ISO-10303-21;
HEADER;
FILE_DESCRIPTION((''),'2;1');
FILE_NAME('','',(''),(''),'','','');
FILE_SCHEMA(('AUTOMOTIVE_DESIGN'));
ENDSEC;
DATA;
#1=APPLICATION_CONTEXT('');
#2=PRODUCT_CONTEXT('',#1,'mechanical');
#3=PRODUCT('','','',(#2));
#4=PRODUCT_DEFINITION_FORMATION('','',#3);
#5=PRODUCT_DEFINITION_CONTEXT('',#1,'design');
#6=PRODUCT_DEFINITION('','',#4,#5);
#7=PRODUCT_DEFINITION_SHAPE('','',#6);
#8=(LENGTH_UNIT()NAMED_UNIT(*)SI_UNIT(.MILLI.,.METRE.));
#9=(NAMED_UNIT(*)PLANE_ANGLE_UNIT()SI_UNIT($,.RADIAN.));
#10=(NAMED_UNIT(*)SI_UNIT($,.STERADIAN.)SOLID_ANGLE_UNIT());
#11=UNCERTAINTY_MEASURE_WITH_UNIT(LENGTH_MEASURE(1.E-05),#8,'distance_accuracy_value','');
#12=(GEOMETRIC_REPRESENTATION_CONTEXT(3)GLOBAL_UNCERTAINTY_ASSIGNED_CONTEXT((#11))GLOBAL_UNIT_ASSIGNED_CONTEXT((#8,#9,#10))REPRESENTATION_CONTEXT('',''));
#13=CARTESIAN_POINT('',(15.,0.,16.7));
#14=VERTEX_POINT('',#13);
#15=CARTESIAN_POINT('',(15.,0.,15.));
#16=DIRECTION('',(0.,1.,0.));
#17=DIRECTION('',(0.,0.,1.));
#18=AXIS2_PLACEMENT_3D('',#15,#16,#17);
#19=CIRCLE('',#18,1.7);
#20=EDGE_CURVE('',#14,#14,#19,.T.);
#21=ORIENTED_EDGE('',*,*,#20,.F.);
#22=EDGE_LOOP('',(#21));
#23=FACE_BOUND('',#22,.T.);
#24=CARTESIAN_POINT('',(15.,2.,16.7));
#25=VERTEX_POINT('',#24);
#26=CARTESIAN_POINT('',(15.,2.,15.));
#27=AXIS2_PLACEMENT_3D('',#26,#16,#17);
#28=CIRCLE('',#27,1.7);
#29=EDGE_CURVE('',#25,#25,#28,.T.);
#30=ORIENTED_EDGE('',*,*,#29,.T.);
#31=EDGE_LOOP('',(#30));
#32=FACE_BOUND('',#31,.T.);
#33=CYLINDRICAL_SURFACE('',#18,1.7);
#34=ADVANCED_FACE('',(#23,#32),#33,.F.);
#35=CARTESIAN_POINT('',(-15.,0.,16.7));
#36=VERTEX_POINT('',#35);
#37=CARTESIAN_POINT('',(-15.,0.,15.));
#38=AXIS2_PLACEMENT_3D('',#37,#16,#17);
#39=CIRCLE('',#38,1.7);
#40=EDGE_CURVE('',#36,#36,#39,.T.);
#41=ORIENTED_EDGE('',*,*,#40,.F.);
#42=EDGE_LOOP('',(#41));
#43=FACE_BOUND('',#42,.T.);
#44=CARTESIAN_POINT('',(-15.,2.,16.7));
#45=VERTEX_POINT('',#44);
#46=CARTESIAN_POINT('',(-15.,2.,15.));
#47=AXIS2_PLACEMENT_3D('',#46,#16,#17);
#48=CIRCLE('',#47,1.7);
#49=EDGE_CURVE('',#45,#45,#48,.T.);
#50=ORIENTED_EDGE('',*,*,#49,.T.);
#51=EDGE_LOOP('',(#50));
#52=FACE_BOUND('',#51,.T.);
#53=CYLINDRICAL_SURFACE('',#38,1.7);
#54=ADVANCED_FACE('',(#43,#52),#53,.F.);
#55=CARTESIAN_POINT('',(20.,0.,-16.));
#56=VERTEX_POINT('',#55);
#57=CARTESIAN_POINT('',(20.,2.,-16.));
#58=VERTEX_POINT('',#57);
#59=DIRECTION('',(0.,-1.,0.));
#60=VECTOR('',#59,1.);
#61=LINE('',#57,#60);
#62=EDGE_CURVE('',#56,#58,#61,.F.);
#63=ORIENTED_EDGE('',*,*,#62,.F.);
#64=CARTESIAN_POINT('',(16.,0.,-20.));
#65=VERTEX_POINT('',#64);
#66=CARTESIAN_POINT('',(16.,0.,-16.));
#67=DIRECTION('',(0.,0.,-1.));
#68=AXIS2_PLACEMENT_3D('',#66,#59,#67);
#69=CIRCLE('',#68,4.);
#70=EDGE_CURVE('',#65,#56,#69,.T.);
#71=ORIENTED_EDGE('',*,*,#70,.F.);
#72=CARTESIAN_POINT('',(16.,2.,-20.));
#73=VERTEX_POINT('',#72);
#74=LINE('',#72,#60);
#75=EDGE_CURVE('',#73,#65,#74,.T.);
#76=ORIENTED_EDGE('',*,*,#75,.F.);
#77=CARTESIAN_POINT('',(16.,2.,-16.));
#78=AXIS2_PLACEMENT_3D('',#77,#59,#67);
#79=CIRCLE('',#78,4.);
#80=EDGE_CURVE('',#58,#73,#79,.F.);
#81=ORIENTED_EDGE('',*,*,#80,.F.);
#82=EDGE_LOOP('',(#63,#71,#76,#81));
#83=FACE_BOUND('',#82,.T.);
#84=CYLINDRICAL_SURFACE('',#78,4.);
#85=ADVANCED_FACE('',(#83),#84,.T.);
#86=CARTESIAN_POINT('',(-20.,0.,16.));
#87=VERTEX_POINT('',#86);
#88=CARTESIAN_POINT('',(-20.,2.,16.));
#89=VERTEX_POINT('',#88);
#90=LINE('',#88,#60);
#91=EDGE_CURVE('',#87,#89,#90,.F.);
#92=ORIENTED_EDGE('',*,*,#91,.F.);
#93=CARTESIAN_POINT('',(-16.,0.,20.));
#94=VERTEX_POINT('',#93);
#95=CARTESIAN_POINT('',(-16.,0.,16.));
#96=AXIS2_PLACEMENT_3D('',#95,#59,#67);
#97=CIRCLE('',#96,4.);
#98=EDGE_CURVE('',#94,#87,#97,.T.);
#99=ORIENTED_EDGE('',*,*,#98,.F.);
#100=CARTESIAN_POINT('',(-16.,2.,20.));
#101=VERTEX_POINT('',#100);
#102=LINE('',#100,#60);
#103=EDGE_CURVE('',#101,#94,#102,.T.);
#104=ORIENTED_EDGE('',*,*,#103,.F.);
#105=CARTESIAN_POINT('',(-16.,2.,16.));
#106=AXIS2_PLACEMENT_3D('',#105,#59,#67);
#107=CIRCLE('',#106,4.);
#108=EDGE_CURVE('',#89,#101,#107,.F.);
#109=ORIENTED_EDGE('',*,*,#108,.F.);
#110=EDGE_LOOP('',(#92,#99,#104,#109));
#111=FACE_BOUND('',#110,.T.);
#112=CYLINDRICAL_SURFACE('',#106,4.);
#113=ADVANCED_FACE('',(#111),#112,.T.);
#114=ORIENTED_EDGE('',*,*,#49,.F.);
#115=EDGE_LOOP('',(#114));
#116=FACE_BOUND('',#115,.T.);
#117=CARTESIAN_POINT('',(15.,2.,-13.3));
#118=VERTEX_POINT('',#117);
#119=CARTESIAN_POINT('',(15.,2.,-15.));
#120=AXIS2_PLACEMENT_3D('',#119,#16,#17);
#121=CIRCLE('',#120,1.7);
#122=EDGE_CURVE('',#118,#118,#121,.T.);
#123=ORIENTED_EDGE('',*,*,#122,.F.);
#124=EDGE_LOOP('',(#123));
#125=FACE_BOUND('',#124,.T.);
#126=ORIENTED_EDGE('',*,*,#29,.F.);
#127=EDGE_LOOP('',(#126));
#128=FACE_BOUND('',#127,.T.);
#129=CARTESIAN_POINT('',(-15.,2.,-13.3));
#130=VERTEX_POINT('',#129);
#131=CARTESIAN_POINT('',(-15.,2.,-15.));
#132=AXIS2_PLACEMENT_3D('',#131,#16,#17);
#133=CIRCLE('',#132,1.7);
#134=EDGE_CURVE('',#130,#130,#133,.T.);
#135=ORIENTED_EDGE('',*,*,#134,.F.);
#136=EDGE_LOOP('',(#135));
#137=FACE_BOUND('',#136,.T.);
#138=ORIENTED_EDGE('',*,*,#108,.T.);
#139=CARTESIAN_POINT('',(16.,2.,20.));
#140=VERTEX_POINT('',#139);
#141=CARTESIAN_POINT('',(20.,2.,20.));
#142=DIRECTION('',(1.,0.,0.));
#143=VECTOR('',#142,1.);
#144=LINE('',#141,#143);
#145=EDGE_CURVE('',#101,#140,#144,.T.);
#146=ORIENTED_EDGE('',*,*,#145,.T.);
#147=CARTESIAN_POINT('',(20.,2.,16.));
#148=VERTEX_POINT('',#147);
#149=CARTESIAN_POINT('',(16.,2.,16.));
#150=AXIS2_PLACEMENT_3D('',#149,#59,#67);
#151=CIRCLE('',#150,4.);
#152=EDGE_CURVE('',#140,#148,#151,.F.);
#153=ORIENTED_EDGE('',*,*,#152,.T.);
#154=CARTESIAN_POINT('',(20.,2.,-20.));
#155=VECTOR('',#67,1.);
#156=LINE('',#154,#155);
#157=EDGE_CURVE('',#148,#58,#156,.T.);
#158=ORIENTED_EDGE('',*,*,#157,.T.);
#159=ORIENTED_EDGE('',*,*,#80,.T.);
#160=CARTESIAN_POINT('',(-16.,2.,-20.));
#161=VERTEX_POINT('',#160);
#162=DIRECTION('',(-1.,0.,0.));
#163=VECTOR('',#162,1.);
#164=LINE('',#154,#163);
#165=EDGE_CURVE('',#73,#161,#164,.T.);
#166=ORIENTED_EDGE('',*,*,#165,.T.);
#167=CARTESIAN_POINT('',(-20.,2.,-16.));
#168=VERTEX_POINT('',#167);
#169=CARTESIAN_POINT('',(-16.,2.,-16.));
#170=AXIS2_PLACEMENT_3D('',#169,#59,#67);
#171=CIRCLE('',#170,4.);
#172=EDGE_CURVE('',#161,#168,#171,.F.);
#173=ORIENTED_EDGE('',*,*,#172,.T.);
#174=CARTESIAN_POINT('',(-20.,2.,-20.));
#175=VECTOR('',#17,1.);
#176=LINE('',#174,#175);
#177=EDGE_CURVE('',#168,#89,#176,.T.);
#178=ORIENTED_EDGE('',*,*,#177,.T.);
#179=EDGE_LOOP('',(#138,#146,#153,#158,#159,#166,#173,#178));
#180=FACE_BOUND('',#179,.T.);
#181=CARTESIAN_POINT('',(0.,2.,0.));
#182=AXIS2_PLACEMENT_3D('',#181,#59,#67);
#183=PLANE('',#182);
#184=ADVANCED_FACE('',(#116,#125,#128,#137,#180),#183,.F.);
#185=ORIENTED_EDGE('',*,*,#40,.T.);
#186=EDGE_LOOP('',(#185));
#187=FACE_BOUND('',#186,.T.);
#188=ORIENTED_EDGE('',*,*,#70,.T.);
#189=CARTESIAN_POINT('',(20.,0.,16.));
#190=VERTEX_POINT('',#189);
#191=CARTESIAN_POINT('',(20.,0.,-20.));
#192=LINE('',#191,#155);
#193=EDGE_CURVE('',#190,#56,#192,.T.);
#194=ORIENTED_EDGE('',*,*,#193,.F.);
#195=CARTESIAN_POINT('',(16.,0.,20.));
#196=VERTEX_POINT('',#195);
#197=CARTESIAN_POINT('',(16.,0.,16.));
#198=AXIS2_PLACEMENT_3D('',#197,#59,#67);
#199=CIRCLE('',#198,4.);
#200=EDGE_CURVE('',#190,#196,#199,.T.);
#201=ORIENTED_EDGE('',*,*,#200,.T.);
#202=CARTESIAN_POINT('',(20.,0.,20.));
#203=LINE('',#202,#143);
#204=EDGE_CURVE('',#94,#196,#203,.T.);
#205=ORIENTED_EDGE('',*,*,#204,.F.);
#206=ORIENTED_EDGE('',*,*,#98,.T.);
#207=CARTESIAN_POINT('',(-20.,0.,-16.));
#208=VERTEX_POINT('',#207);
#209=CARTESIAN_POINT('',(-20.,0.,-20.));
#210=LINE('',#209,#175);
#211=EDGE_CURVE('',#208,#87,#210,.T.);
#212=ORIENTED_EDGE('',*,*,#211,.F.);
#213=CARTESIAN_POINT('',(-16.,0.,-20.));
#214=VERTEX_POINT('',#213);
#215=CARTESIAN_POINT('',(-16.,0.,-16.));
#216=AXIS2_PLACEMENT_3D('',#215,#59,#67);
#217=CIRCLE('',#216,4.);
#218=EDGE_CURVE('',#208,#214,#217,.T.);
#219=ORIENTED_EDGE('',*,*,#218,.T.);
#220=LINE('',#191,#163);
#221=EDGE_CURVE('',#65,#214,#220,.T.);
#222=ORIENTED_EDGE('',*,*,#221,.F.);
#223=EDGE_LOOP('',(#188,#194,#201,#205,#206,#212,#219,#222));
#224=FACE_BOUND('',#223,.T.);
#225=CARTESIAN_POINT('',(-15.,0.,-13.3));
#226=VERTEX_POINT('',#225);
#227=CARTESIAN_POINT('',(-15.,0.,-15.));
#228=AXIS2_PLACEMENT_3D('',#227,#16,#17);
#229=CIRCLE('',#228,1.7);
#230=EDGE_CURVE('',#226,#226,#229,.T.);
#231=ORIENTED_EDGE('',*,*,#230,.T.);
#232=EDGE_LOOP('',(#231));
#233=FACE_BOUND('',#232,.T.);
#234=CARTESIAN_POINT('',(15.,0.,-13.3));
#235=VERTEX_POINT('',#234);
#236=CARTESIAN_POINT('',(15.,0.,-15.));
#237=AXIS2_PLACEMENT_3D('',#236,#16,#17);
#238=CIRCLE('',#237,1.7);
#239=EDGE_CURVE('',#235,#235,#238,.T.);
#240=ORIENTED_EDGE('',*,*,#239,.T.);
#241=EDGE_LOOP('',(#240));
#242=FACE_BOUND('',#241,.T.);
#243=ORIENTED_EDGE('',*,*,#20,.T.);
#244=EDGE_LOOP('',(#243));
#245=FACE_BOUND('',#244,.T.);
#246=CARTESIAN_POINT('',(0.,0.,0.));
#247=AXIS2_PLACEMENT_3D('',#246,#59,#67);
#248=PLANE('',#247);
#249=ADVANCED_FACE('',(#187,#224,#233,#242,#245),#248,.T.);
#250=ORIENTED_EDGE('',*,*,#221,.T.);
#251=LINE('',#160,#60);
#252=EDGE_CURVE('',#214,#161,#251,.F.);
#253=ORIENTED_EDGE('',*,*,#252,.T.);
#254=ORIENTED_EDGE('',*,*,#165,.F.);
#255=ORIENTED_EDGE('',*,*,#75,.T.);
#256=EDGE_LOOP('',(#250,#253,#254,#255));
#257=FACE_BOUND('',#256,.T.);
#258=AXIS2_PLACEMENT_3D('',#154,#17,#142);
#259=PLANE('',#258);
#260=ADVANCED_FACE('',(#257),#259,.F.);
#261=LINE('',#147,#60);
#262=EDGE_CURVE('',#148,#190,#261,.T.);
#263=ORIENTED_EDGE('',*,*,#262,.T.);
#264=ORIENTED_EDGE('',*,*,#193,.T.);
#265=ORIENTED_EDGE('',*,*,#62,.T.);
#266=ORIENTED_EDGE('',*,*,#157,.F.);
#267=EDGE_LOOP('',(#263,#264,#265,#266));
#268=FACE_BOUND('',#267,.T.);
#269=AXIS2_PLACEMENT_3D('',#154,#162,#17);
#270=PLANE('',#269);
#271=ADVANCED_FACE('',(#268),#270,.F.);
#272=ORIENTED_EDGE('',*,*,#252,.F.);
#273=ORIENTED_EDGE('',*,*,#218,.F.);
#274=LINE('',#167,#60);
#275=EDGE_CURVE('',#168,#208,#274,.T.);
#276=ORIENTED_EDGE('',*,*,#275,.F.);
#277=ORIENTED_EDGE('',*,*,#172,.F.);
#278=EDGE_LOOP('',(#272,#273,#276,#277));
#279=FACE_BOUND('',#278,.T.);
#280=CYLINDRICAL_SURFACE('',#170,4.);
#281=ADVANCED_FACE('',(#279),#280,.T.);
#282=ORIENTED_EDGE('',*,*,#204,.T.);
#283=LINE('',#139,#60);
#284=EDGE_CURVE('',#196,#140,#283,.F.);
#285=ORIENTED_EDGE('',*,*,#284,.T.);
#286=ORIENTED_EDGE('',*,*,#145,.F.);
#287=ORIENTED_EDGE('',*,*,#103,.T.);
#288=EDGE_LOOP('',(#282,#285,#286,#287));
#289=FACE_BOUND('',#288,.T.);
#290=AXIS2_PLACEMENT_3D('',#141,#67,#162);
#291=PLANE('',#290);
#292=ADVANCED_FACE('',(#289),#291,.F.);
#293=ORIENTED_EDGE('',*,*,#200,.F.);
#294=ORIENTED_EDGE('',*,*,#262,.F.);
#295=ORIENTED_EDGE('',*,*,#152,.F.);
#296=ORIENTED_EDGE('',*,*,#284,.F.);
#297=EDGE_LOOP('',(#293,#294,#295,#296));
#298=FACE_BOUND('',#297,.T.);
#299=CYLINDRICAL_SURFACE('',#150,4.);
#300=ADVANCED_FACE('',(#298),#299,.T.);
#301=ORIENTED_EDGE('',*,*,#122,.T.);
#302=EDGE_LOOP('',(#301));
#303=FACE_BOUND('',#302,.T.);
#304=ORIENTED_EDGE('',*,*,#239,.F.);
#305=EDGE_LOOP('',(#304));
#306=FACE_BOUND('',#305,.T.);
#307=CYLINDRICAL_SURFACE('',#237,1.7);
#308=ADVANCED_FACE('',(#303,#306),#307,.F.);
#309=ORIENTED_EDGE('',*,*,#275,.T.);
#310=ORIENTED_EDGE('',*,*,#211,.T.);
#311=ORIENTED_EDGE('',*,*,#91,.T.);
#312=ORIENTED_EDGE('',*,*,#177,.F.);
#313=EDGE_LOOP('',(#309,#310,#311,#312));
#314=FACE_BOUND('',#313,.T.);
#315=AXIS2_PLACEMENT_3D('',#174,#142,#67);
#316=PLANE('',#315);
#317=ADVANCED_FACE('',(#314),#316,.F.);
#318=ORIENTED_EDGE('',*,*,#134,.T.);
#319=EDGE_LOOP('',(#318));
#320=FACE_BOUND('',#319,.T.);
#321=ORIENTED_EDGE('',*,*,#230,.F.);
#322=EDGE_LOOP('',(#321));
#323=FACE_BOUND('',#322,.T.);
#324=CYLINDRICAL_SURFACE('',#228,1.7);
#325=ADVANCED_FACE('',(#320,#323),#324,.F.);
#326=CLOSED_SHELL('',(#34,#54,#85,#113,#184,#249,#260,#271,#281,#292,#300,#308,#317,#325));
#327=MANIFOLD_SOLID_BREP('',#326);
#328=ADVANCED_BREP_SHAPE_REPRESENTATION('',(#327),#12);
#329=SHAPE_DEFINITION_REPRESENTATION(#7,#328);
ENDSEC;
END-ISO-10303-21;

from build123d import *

# Parameters (mm, degrees)
SKETCH1_W           = 40
SKETCH1_H           = 40
BOSS_EXTRUDE1_DEPTH = 2
SKETCH2_R           = 1.7
CUT_EXTRUDE1_DEPTH  = 29.354893758
FILLET1_R           = 4


with BuildPart() as part:
    # Sketch1 → Boss-Extrude1 (new body)
    with BuildSketch(Plane(origin=(0, 0, 0), x_dir=(1, 0, 0), z_dir=(0, 1, 0))):
        Rectangle(SKETCH1_W, SKETCH1_H)
    extrude(amount=BOSS_EXTRUDE1_DEPTH)

    # Sketch2 → Cut-Extrude1 (cut, through all)
    with BuildSketch(Plane(origin=(0, 2, 0), x_dir=(1, 0, 0), z_dir=(0, 1, 0))):
        with Locations((15, 15)):
            Circle(SKETCH2_R)
        with Locations((15, -15)):
            Circle(SKETCH2_R)
        with Locations((-15, -15)):
            Circle(SKETCH2_R)
        with Locations((-15, 15)):
            Circle(SKETCH2_R)
    extrude(amount=-CUT_EXTRUDE1_DEPTH, mode=Mode.SUBTRACT)

    # Fillet1
    fillet1_edges = [part.edges().sort_by_distance(p)[0] for p in [
        (-20, 1, -20),
        (-20, 1, 20),
        (20, 1, 20),
        (20, 1, -20),
    ]]
    fillet(fillet1_edges, radius=FILLET1_R)


solid = part.part
